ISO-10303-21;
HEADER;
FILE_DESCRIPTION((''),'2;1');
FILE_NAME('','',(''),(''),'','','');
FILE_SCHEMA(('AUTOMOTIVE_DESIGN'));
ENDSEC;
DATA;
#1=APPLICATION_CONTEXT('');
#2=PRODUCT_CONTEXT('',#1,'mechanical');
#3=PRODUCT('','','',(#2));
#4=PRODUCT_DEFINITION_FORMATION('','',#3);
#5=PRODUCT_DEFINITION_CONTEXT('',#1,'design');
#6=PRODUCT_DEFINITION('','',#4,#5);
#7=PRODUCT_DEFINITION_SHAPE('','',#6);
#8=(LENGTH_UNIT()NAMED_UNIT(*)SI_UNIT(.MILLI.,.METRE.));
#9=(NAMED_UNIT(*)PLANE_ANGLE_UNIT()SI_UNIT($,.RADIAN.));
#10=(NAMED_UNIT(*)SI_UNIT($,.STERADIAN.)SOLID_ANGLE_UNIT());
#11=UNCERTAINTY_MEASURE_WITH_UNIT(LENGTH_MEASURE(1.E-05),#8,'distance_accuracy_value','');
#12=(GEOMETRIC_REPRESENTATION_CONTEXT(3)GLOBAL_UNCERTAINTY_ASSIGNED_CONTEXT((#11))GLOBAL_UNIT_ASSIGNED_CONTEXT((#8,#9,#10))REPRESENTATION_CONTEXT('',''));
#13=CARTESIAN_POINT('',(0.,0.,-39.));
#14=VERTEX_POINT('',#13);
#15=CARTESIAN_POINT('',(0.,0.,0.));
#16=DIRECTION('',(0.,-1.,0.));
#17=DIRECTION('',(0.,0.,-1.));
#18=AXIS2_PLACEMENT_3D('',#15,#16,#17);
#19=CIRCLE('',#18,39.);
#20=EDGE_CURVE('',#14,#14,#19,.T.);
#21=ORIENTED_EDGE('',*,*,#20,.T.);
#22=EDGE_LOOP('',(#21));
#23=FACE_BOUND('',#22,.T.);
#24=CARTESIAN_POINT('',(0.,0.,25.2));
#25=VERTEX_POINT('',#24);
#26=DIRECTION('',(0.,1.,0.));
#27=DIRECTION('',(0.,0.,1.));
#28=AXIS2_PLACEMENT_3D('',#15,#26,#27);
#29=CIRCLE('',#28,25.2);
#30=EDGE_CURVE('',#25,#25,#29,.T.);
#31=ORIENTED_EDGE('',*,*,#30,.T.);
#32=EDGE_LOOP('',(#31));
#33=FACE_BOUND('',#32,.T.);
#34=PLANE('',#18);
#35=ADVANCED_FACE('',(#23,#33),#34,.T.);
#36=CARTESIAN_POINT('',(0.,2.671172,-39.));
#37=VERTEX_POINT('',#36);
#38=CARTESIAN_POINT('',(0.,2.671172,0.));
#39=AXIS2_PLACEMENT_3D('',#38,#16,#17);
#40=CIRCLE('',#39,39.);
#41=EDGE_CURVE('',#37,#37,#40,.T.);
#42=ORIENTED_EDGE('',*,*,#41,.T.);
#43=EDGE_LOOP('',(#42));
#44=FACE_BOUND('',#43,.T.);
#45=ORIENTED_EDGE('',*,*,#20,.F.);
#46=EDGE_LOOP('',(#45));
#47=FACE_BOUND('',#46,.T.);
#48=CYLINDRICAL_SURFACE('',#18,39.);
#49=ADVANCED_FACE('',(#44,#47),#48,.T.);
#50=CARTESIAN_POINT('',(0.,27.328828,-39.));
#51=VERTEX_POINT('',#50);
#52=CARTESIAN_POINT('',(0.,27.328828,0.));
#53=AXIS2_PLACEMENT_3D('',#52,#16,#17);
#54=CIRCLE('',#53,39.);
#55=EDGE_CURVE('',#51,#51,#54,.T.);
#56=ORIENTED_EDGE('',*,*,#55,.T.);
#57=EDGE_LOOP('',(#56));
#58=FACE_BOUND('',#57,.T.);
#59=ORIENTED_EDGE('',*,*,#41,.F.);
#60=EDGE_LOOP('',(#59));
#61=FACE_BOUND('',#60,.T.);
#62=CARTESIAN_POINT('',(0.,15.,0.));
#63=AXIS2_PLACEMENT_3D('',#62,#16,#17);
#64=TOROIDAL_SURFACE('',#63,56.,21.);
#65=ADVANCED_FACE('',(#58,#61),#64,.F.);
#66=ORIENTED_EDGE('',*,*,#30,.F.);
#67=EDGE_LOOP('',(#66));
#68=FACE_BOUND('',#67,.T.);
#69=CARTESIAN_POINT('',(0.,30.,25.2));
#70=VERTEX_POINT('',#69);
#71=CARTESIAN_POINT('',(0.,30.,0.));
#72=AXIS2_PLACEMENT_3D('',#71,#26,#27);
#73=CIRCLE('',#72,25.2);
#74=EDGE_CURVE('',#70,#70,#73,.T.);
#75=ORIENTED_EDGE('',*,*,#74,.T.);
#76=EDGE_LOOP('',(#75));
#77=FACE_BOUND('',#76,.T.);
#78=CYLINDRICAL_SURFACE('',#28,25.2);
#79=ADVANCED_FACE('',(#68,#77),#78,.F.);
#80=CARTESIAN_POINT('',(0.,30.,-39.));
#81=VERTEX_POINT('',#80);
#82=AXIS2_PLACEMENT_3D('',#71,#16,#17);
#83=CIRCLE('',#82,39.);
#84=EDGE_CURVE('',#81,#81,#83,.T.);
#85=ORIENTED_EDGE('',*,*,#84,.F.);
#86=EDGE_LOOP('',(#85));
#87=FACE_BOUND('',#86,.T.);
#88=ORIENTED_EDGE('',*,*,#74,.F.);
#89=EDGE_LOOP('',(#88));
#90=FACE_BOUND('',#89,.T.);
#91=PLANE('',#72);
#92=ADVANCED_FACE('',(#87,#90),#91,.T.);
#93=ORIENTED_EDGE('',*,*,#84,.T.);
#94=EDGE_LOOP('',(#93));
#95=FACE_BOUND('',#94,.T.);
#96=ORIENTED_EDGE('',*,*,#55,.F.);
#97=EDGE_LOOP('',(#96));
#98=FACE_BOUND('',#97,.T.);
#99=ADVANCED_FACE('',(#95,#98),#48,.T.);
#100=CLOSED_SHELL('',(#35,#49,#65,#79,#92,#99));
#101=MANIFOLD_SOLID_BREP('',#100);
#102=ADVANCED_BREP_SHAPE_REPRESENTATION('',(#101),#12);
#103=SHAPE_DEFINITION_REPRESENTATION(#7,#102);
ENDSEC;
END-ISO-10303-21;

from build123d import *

# Parameters (mm, degrees)
SKETCH_2_R          = 25.2
CUT_EXTRUDE_1_DEPTH = 63.785348609


with BuildPart() as part:
    # 草图1 → 旋转1 (revolve)
    with BuildSketch(Plane.XY, mode=Mode.PRIVATE) as revolve_1_sk:
        with BuildLine():
            Line((39, 27.328828006), (39, 30))
            Line((39, 30), (0, 30))
            Line((0, 30), (0, 0))
            Line((0, 0), (39, 0))
            Line((39, 0), (39, 2.671171994))
            ThreePointArc((39, 2.671171994), (35, 15), (39, 27.328828006))
        make_face()
    revolve(revolve_1_sk.sketch.rotate(Axis((0, 0, 0), (0, 1, 0)), 90), axis=Axis((0, 0, 0), (0, 1, 0)))

    # 草图2 → 切除-拉伸1 (cut, through all)
    with BuildSketch(Plane(origin=(0, 30, 0), x_dir=(1, 0, 0), z_dir=(0, 1, 0))):
        with Locations(Location((0, 0, 0), (0, 0, 270))):
            Circle(SKETCH_2_R)
    extrude(amount=-CUT_EXTRUDE_1_DEPTH, mode=Mode.SUBTRACT)


solid = part.part
